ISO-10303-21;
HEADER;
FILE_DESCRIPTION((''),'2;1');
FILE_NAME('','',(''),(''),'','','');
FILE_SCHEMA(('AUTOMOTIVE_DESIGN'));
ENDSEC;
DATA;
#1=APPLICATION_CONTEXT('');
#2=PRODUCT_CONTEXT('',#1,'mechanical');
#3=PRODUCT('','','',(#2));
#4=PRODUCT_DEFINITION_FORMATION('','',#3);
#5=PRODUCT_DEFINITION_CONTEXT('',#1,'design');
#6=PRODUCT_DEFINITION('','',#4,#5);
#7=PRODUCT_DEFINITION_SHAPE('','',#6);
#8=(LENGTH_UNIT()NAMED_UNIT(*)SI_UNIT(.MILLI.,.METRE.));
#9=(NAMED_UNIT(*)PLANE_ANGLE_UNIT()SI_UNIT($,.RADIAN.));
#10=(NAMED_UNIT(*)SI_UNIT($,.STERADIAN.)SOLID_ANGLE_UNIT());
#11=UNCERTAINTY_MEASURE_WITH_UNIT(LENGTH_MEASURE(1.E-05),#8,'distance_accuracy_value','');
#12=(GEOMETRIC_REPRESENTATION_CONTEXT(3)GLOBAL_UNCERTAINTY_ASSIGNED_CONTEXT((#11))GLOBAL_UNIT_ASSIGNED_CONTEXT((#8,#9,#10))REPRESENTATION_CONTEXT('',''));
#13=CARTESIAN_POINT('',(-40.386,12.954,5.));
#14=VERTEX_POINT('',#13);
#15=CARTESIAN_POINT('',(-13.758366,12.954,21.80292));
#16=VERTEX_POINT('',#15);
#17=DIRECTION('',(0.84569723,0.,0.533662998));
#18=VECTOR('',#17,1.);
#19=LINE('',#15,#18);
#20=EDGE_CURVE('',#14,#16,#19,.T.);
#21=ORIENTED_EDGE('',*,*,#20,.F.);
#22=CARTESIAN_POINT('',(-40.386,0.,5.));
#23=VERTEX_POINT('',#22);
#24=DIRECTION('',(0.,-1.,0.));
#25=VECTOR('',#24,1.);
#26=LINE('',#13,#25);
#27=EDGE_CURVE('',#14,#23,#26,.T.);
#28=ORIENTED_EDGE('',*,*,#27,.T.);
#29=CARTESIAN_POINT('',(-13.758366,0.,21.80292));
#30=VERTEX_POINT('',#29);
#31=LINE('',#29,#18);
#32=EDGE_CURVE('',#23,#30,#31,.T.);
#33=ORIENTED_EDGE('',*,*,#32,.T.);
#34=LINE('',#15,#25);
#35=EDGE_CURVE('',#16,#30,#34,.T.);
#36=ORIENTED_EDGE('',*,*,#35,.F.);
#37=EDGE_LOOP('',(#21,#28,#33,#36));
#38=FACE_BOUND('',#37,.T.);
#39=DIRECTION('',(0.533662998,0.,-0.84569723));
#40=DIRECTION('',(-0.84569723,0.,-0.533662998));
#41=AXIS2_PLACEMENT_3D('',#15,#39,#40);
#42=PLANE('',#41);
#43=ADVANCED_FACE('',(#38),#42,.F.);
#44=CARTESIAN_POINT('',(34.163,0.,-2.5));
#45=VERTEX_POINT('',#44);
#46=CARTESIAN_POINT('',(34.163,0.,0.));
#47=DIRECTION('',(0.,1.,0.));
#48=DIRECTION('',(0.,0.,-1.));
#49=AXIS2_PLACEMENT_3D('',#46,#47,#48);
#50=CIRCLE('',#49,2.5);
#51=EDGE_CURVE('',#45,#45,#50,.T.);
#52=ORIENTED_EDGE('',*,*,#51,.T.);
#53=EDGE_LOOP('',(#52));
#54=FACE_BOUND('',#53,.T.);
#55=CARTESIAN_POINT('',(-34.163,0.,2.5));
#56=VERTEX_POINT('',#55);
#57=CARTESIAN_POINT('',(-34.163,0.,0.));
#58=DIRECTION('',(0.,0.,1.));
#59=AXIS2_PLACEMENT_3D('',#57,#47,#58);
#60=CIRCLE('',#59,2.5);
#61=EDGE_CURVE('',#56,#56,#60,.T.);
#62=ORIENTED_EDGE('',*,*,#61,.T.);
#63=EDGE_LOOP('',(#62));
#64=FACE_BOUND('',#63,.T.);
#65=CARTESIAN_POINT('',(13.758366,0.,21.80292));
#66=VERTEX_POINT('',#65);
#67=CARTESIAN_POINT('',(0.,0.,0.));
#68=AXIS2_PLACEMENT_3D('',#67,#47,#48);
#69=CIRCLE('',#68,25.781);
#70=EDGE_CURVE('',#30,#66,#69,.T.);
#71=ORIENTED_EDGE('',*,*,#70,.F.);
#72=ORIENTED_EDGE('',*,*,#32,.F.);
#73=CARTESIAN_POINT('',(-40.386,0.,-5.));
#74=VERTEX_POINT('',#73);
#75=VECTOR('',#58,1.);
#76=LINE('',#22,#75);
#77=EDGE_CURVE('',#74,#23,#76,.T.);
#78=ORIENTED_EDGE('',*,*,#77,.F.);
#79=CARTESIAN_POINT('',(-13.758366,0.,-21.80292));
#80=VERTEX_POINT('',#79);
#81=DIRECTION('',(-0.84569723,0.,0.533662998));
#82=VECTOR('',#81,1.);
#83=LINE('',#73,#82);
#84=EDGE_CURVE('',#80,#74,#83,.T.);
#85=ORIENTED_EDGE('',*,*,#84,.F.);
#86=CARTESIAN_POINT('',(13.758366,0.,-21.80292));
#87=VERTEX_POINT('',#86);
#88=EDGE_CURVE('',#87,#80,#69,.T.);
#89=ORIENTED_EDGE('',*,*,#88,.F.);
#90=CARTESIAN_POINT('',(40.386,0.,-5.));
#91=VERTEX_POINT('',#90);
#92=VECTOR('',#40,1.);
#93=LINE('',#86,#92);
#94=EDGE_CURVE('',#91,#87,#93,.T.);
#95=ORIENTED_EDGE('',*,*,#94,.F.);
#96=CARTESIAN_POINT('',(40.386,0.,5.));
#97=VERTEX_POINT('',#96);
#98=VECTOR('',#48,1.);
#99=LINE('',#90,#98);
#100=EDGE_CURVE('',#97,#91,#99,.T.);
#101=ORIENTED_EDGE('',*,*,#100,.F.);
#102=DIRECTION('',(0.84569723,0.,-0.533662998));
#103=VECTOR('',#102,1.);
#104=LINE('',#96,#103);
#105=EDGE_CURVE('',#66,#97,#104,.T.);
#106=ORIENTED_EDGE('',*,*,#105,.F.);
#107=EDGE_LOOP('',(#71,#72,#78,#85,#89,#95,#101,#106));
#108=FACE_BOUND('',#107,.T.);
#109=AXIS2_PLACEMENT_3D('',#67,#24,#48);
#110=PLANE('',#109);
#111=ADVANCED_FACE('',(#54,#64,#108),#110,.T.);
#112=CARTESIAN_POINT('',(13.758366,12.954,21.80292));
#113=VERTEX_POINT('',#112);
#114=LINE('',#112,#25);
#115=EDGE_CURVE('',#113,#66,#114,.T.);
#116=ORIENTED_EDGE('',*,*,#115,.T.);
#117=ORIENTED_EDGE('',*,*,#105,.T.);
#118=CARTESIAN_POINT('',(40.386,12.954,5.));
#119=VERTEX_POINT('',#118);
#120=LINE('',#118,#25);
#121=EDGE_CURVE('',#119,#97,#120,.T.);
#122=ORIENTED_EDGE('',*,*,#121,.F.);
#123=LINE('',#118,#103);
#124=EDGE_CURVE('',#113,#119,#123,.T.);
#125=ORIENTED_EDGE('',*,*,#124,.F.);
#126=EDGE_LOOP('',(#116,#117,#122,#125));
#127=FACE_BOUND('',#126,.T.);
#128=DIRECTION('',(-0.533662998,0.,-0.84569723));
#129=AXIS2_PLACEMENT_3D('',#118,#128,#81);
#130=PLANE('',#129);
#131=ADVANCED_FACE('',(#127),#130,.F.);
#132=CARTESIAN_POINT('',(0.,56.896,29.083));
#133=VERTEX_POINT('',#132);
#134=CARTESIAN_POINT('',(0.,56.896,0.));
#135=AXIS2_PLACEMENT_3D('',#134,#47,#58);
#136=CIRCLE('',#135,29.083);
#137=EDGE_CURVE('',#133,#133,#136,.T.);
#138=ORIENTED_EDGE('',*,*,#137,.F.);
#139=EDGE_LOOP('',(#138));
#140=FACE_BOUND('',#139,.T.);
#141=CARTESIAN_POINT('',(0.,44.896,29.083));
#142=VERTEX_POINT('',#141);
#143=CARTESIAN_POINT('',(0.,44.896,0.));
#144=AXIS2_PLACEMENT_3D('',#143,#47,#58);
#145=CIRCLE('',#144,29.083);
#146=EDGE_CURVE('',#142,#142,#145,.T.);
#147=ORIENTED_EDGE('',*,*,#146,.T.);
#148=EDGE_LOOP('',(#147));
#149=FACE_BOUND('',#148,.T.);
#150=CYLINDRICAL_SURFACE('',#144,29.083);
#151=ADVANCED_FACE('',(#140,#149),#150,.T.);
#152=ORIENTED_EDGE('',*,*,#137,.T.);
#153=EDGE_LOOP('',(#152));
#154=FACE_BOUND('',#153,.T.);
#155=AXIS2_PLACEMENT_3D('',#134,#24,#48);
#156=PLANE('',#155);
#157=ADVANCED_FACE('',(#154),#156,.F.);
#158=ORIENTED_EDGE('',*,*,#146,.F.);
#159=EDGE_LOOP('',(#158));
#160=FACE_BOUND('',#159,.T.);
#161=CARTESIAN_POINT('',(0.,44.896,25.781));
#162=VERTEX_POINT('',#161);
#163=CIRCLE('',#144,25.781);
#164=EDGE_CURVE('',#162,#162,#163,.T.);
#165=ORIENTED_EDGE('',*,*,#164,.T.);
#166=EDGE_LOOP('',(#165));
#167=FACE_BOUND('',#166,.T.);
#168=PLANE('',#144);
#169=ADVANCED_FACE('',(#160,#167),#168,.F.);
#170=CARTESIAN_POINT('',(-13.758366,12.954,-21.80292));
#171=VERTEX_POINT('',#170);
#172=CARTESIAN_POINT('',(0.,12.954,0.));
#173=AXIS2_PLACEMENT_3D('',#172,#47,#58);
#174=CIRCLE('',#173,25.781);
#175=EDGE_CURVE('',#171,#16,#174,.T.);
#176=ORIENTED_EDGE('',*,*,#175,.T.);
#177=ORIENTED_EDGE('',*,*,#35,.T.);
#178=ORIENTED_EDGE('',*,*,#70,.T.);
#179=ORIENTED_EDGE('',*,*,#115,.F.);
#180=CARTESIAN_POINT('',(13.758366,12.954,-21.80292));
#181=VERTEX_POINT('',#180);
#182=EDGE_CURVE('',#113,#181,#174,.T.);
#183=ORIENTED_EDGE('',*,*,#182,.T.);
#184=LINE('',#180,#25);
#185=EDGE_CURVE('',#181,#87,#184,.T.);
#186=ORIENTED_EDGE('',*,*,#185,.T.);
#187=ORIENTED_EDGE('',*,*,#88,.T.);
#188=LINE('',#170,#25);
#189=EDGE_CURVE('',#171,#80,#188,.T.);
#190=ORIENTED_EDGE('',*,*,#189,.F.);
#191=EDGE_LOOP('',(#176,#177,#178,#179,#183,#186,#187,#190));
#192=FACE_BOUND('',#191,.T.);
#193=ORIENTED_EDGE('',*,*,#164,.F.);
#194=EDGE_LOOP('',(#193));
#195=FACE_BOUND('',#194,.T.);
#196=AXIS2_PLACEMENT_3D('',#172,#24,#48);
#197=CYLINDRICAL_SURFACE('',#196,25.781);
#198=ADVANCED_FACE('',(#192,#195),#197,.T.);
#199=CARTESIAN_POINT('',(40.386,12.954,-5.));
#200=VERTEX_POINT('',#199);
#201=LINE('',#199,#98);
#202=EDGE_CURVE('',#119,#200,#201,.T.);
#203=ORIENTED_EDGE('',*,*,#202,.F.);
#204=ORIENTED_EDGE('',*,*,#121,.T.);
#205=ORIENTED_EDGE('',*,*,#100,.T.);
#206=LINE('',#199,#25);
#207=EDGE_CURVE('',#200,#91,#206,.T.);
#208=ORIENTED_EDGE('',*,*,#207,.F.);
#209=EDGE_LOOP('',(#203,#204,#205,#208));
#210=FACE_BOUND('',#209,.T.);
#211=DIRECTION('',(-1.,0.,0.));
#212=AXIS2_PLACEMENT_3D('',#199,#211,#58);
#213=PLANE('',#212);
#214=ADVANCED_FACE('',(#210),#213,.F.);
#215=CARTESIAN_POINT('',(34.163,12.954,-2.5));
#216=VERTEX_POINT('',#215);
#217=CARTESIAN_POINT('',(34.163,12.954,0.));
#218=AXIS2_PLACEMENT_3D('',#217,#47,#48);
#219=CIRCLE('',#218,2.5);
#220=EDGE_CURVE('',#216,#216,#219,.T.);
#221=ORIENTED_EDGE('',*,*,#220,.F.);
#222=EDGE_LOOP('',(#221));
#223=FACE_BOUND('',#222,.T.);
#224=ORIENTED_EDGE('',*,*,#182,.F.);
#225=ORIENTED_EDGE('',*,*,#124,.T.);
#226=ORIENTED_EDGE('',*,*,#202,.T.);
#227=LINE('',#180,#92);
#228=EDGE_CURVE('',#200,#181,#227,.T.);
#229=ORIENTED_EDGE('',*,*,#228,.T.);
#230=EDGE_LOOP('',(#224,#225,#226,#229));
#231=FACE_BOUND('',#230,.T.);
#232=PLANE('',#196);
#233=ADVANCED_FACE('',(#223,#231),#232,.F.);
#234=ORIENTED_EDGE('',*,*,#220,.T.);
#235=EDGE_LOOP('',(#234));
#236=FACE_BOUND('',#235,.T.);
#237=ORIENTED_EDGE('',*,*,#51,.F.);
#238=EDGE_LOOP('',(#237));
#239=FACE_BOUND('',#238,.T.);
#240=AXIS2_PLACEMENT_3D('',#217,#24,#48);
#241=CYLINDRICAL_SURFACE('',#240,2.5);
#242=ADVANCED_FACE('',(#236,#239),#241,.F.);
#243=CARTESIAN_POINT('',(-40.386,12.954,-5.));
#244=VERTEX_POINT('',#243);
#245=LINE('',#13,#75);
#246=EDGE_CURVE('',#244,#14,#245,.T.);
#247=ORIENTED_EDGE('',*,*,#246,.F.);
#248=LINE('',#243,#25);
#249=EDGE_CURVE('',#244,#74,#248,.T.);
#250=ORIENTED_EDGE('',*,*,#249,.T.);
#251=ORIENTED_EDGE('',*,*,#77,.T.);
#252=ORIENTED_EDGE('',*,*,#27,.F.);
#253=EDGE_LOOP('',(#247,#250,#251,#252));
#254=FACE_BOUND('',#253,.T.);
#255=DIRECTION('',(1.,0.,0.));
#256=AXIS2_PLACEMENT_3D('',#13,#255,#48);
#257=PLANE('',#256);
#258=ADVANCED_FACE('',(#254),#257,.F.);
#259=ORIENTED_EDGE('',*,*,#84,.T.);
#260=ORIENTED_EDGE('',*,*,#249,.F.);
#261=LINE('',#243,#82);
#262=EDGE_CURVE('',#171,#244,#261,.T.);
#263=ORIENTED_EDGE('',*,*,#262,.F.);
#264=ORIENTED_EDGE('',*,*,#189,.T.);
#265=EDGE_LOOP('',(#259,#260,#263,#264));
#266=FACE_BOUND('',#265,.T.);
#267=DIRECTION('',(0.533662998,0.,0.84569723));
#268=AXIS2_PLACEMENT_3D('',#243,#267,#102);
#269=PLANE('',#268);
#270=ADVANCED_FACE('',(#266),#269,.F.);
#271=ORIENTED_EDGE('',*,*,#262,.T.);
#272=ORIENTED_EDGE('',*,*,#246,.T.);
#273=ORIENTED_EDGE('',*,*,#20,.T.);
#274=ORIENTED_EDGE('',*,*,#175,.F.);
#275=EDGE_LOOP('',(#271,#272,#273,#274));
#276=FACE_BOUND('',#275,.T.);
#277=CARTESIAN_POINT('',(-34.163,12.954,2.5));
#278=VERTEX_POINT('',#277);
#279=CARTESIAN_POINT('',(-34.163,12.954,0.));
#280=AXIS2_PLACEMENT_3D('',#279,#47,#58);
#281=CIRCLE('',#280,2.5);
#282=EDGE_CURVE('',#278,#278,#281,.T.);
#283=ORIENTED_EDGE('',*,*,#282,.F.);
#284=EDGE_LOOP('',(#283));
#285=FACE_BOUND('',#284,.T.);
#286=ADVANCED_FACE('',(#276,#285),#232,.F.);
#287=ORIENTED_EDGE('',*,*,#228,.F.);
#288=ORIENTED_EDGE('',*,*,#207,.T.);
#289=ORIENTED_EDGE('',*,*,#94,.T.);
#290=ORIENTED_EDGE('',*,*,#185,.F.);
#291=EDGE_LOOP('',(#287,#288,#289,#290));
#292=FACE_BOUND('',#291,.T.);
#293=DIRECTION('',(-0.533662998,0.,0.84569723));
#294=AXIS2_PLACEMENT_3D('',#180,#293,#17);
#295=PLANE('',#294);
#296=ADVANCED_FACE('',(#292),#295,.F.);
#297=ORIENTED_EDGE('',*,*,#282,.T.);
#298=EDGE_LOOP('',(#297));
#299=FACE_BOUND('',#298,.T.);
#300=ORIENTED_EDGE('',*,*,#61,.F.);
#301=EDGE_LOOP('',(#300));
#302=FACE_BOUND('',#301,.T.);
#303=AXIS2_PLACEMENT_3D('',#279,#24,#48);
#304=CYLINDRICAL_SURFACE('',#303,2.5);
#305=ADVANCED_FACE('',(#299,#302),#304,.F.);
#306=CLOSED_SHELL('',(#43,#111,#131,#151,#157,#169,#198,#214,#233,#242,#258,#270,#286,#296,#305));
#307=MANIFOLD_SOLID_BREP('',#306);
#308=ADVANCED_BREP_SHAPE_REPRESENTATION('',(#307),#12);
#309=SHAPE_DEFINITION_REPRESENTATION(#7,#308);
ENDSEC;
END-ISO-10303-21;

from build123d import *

# Parameters (mm, degrees)
SKETCH1_R           = 2.5
BOSS_EXTRUDE1_DEPTH = 12.954
SKETCH2_R           = 25.781
BOSS_EXTRUDE2_DEPTH = 43.942
SKETCH3_R           = 29.083
BOSS_EXTRUDE3_DEPTH = 12


with BuildPart() as part:
    # Sketch1 → Boss-Extrude1 (new body)
    with BuildSketch(Plane(origin=(0, 0, 0), x_dir=(1, 0, 0), z_dir=(0, 1, 0))):
        with BuildLine():
            Line((-40.386, -5), (-40.386, 5))
            Line((-40.386, 5), (-13.758365761, 21.802920277))
            ThreePointArc((-13.758365761, 21.802920277), (0, 25.781), (13.758365761, 21.802920277))
            Line((13.758365761, 21.802920277), (40.386, 5))
            Line((40.386, 5), (40.386, -5))
            Line((40.386, -5), (13.758365761, -21.802920277))
            ThreePointArc((13.758365761, -21.802920277), (0, -25.781), (-13.758365761, -21.802920277))
            Line((-13.758365761, -21.802920277), (-40.386, -5))
        make_face()
        with Locations((-34.163, 0)):
            Circle(SKETCH1_R, mode=Mode.SUBTRACT)
        with Locations((34.163, 0)):
            Circle(SKETCH1_R, mode=Mode.SUBTRACT)
    extrude(amount=BOSS_EXTRUDE1_DEPTH)

    # Sketch2 → Boss-Extrude2 (add)
    with BuildSketch(Plane(origin=(0, 12.954, 0), x_dir=(1, 0, 0), z_dir=(0, 1, 0))):
        Circle(SKETCH2_R)
    extrude(amount=BOSS_EXTRUDE2_DEPTH)

    # Sketch3 → Boss-Extrude3 (add)
    with BuildSketch(Plane(origin=(0, 56.896, 0), x_dir=(1, 0, 0), z_dir=(0, 1, 0))):
        Circle(SKETCH3_R)
    extrude(amount=-BOSS_EXTRUDE3_DEPTH)


solid = part.part
